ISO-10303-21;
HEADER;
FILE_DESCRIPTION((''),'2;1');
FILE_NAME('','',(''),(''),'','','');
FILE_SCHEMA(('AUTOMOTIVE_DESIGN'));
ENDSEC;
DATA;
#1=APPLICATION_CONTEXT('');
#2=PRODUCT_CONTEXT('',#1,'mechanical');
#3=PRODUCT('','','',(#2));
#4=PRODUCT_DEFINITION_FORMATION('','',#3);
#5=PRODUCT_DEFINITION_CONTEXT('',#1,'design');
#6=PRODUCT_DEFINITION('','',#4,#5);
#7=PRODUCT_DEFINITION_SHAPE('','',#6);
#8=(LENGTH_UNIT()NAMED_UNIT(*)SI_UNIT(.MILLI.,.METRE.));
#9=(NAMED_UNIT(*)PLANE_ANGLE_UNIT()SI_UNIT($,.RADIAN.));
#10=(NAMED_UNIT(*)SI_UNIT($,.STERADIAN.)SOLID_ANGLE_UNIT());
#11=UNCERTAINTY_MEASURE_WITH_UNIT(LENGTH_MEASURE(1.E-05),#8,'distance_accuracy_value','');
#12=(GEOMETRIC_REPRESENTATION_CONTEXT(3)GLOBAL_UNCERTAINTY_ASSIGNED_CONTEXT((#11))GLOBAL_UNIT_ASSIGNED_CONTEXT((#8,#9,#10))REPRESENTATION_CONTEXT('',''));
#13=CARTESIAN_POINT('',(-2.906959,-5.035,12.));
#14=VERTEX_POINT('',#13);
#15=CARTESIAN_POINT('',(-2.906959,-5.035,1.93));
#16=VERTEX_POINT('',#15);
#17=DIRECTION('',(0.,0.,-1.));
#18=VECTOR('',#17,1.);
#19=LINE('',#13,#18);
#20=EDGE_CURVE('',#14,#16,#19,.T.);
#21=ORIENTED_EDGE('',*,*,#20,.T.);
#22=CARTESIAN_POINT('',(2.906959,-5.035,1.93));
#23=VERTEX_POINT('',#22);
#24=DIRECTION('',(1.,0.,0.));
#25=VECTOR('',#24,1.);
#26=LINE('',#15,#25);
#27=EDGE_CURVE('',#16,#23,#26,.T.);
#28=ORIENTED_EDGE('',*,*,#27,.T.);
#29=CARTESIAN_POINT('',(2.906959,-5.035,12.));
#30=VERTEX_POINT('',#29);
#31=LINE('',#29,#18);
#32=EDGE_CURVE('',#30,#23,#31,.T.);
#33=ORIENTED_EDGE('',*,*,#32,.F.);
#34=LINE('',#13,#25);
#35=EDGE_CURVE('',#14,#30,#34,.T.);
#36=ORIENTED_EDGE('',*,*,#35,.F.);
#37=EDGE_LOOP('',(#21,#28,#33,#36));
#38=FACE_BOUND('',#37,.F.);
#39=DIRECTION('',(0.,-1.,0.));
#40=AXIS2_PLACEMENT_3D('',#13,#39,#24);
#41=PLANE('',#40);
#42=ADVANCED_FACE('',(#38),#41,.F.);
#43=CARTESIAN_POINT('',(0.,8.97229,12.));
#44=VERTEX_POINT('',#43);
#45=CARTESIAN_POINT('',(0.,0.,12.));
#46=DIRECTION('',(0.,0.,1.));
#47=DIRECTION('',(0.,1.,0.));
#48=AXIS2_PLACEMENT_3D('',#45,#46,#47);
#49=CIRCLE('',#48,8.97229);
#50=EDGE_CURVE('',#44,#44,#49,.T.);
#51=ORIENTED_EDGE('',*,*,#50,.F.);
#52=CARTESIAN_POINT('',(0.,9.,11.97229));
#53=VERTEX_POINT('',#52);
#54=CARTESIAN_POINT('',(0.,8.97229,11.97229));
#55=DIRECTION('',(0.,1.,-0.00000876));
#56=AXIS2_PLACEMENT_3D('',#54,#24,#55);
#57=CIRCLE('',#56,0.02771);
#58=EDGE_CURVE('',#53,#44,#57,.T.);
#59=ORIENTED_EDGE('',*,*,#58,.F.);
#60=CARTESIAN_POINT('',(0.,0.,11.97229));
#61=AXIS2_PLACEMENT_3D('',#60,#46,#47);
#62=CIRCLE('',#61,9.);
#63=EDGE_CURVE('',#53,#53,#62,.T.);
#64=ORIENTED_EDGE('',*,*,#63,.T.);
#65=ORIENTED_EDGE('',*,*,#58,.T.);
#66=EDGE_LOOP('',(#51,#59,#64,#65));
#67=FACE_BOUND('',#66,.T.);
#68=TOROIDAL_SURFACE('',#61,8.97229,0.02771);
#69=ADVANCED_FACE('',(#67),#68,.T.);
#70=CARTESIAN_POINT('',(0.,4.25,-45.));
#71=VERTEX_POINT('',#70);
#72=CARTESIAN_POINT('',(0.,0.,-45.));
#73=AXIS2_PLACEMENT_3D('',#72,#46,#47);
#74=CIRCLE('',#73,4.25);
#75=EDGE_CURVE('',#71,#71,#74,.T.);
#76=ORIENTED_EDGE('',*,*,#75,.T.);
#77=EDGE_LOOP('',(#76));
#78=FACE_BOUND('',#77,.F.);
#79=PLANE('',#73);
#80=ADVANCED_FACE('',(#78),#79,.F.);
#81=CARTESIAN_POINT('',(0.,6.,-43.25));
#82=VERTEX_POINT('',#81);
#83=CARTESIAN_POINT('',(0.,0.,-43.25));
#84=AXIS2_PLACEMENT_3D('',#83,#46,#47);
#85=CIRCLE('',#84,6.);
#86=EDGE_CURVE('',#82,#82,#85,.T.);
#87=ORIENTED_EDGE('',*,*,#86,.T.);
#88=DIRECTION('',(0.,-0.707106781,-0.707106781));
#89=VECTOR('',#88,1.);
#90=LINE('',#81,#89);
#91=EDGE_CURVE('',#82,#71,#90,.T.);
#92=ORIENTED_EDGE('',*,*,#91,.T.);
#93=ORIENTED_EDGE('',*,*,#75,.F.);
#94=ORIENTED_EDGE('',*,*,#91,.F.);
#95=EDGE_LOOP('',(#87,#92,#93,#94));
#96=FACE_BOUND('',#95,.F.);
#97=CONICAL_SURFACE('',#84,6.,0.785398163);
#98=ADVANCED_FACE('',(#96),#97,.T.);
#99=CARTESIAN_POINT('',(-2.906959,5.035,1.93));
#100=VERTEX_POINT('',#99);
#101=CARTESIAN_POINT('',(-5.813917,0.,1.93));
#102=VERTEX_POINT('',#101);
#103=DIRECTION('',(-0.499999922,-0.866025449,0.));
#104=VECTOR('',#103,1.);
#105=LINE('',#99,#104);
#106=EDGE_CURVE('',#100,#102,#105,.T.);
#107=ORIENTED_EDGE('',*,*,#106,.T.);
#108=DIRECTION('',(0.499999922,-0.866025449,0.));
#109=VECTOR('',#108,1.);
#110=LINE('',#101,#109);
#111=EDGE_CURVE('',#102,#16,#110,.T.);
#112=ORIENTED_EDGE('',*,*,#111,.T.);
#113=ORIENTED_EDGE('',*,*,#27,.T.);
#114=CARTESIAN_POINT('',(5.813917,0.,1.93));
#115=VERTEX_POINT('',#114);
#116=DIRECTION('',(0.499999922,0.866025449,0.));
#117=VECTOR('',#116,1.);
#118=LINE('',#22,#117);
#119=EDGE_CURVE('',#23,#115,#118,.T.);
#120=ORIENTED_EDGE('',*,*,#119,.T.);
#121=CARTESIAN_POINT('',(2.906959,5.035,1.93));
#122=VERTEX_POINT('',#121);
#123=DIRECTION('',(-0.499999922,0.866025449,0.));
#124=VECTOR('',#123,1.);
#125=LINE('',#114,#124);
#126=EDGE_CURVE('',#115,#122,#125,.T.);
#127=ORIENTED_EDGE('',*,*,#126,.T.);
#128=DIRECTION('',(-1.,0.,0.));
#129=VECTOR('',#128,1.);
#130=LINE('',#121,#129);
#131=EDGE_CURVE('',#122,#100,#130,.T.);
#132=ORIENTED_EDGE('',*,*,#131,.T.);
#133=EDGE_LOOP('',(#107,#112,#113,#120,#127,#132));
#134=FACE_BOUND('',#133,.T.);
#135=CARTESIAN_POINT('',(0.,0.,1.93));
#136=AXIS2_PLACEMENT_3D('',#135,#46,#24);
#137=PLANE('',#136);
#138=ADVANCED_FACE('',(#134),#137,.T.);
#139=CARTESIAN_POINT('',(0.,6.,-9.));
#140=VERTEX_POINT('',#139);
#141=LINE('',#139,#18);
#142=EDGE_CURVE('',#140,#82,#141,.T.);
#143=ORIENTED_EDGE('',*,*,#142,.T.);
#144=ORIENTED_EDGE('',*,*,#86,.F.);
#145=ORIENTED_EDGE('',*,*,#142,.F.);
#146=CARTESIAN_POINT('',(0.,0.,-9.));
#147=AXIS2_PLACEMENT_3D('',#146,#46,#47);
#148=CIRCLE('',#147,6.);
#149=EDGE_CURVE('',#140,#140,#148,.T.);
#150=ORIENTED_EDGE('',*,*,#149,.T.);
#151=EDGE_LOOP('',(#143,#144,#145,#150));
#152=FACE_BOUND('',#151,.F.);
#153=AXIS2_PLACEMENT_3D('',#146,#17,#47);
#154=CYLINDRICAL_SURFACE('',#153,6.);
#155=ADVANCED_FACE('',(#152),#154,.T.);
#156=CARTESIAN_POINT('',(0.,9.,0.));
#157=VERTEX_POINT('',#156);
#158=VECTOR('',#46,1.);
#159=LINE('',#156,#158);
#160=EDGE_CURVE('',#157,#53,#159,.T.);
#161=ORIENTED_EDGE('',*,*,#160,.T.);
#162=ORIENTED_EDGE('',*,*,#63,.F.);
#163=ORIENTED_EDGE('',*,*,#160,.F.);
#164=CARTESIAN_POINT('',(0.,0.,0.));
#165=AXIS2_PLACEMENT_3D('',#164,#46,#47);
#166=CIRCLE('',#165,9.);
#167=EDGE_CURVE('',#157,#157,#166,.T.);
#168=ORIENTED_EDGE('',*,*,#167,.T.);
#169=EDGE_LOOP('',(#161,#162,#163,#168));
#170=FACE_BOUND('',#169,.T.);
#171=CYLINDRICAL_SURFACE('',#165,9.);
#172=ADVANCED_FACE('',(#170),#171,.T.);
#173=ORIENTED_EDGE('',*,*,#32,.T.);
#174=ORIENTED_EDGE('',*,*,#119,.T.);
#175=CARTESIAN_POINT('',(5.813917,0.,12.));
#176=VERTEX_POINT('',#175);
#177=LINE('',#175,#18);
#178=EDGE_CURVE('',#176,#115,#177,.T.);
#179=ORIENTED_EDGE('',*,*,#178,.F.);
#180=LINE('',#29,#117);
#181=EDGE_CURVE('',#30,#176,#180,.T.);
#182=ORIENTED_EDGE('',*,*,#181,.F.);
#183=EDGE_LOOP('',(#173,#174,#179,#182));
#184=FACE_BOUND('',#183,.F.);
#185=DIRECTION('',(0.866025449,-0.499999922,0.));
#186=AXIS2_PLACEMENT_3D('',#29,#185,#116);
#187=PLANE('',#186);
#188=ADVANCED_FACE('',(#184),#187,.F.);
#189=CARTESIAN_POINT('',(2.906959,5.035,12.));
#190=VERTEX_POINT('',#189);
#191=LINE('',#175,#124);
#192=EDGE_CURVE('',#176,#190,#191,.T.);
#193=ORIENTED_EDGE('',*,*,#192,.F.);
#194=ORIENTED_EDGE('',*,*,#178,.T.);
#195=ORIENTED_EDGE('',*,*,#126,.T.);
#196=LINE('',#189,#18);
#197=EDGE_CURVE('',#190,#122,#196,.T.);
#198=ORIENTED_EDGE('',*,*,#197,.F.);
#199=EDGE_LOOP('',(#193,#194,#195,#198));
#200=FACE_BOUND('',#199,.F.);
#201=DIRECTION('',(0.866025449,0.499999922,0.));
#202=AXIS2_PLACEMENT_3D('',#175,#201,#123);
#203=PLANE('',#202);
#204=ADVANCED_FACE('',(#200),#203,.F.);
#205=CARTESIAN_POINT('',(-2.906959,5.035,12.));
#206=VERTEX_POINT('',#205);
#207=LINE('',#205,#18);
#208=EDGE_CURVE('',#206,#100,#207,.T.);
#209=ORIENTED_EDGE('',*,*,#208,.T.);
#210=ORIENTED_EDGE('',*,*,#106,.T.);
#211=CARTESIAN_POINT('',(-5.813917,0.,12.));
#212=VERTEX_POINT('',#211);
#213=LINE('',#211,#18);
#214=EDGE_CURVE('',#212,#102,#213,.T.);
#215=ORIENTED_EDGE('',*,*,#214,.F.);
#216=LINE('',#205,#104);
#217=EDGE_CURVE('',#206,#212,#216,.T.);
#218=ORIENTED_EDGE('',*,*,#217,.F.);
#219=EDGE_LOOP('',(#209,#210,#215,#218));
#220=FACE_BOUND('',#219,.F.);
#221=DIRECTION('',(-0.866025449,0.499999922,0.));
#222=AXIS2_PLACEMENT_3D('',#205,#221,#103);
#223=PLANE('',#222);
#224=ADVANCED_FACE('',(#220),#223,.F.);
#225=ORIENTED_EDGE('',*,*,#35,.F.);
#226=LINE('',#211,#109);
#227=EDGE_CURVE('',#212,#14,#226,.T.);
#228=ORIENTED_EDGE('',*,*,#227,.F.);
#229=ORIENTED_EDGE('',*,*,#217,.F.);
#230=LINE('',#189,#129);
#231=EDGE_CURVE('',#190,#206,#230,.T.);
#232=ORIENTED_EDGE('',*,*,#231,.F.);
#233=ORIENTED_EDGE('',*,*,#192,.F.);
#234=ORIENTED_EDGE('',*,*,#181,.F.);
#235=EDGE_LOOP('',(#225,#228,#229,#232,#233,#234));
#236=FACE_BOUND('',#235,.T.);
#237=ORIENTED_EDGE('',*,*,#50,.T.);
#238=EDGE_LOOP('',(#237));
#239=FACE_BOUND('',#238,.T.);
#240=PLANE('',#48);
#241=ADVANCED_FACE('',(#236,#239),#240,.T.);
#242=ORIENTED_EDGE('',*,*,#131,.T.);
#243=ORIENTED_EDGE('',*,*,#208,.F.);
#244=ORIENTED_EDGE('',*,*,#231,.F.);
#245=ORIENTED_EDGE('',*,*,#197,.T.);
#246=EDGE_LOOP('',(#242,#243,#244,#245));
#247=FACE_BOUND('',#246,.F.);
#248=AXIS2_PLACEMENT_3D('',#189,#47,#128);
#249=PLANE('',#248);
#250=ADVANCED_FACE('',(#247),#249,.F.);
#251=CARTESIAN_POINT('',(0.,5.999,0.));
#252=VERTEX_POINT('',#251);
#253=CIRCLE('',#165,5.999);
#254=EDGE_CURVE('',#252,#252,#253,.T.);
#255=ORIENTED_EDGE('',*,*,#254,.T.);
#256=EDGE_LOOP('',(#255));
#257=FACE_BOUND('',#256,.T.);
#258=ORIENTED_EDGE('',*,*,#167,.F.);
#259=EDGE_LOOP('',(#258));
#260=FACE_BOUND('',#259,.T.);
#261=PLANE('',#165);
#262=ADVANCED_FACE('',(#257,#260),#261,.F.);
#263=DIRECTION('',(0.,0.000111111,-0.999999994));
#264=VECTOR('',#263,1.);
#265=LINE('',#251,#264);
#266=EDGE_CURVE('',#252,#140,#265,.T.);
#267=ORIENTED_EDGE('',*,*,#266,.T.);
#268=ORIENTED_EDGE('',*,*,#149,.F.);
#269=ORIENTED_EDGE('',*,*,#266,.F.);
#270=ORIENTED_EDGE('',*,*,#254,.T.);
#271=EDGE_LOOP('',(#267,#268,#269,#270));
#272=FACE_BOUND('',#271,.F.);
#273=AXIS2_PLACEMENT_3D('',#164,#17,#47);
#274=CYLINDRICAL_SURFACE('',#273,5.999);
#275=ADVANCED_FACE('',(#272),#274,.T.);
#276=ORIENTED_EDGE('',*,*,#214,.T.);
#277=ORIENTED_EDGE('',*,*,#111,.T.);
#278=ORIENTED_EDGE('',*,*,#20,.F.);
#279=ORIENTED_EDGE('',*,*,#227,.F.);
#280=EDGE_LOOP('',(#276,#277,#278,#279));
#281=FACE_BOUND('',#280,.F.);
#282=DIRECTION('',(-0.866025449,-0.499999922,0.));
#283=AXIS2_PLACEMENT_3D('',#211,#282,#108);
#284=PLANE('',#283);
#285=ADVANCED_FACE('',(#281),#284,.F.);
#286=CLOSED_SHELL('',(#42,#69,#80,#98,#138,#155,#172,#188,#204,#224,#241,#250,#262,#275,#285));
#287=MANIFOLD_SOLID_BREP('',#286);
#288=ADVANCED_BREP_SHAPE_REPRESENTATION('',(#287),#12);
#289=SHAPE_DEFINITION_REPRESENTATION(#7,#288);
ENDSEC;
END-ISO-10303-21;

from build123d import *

# Parameters (mm, degrees)
POCKET_DEPTH = 10.07


with BuildPart() as part:
    # Sketch → Revolve (revolve)
    with BuildSketch(Plane.YZ):
        with BuildLine():
            Line((5.999, 0), (9, 0))
            Line((9, 0), (9, 11.97229))
            ThreePointArc((9, 11.97229), (8.991884, 11.991884), (8.97229, 12))
            Line((8.97229, 12), (0, 12))
            Line((0, -45), (0, 12))
            Line((4.25, -45), (0, -45))
            Line((6, -43.25), (4.25, -45))
            Line((6, -9), (6, -43.25))
            Line((5.999, 0), (6, -9))
        make_face()
    revolve(axis=Axis((0, 0, 0), (0, 0, 1)))

    # Sketch001 → Pocket (cut)
    with BuildSketch(Plane.XY.offset(12)):
        Polygon((5.813917, 0), (2.906959, 5.035), (-2.906959, 5.035), (-5.813917, 0), (-2.906959, -5.035), (2.906959, -5.035), align=None)
    extrude(amount=-POCKET_DEPTH, mode=Mode.SUBTRACT)


solid = part.part
